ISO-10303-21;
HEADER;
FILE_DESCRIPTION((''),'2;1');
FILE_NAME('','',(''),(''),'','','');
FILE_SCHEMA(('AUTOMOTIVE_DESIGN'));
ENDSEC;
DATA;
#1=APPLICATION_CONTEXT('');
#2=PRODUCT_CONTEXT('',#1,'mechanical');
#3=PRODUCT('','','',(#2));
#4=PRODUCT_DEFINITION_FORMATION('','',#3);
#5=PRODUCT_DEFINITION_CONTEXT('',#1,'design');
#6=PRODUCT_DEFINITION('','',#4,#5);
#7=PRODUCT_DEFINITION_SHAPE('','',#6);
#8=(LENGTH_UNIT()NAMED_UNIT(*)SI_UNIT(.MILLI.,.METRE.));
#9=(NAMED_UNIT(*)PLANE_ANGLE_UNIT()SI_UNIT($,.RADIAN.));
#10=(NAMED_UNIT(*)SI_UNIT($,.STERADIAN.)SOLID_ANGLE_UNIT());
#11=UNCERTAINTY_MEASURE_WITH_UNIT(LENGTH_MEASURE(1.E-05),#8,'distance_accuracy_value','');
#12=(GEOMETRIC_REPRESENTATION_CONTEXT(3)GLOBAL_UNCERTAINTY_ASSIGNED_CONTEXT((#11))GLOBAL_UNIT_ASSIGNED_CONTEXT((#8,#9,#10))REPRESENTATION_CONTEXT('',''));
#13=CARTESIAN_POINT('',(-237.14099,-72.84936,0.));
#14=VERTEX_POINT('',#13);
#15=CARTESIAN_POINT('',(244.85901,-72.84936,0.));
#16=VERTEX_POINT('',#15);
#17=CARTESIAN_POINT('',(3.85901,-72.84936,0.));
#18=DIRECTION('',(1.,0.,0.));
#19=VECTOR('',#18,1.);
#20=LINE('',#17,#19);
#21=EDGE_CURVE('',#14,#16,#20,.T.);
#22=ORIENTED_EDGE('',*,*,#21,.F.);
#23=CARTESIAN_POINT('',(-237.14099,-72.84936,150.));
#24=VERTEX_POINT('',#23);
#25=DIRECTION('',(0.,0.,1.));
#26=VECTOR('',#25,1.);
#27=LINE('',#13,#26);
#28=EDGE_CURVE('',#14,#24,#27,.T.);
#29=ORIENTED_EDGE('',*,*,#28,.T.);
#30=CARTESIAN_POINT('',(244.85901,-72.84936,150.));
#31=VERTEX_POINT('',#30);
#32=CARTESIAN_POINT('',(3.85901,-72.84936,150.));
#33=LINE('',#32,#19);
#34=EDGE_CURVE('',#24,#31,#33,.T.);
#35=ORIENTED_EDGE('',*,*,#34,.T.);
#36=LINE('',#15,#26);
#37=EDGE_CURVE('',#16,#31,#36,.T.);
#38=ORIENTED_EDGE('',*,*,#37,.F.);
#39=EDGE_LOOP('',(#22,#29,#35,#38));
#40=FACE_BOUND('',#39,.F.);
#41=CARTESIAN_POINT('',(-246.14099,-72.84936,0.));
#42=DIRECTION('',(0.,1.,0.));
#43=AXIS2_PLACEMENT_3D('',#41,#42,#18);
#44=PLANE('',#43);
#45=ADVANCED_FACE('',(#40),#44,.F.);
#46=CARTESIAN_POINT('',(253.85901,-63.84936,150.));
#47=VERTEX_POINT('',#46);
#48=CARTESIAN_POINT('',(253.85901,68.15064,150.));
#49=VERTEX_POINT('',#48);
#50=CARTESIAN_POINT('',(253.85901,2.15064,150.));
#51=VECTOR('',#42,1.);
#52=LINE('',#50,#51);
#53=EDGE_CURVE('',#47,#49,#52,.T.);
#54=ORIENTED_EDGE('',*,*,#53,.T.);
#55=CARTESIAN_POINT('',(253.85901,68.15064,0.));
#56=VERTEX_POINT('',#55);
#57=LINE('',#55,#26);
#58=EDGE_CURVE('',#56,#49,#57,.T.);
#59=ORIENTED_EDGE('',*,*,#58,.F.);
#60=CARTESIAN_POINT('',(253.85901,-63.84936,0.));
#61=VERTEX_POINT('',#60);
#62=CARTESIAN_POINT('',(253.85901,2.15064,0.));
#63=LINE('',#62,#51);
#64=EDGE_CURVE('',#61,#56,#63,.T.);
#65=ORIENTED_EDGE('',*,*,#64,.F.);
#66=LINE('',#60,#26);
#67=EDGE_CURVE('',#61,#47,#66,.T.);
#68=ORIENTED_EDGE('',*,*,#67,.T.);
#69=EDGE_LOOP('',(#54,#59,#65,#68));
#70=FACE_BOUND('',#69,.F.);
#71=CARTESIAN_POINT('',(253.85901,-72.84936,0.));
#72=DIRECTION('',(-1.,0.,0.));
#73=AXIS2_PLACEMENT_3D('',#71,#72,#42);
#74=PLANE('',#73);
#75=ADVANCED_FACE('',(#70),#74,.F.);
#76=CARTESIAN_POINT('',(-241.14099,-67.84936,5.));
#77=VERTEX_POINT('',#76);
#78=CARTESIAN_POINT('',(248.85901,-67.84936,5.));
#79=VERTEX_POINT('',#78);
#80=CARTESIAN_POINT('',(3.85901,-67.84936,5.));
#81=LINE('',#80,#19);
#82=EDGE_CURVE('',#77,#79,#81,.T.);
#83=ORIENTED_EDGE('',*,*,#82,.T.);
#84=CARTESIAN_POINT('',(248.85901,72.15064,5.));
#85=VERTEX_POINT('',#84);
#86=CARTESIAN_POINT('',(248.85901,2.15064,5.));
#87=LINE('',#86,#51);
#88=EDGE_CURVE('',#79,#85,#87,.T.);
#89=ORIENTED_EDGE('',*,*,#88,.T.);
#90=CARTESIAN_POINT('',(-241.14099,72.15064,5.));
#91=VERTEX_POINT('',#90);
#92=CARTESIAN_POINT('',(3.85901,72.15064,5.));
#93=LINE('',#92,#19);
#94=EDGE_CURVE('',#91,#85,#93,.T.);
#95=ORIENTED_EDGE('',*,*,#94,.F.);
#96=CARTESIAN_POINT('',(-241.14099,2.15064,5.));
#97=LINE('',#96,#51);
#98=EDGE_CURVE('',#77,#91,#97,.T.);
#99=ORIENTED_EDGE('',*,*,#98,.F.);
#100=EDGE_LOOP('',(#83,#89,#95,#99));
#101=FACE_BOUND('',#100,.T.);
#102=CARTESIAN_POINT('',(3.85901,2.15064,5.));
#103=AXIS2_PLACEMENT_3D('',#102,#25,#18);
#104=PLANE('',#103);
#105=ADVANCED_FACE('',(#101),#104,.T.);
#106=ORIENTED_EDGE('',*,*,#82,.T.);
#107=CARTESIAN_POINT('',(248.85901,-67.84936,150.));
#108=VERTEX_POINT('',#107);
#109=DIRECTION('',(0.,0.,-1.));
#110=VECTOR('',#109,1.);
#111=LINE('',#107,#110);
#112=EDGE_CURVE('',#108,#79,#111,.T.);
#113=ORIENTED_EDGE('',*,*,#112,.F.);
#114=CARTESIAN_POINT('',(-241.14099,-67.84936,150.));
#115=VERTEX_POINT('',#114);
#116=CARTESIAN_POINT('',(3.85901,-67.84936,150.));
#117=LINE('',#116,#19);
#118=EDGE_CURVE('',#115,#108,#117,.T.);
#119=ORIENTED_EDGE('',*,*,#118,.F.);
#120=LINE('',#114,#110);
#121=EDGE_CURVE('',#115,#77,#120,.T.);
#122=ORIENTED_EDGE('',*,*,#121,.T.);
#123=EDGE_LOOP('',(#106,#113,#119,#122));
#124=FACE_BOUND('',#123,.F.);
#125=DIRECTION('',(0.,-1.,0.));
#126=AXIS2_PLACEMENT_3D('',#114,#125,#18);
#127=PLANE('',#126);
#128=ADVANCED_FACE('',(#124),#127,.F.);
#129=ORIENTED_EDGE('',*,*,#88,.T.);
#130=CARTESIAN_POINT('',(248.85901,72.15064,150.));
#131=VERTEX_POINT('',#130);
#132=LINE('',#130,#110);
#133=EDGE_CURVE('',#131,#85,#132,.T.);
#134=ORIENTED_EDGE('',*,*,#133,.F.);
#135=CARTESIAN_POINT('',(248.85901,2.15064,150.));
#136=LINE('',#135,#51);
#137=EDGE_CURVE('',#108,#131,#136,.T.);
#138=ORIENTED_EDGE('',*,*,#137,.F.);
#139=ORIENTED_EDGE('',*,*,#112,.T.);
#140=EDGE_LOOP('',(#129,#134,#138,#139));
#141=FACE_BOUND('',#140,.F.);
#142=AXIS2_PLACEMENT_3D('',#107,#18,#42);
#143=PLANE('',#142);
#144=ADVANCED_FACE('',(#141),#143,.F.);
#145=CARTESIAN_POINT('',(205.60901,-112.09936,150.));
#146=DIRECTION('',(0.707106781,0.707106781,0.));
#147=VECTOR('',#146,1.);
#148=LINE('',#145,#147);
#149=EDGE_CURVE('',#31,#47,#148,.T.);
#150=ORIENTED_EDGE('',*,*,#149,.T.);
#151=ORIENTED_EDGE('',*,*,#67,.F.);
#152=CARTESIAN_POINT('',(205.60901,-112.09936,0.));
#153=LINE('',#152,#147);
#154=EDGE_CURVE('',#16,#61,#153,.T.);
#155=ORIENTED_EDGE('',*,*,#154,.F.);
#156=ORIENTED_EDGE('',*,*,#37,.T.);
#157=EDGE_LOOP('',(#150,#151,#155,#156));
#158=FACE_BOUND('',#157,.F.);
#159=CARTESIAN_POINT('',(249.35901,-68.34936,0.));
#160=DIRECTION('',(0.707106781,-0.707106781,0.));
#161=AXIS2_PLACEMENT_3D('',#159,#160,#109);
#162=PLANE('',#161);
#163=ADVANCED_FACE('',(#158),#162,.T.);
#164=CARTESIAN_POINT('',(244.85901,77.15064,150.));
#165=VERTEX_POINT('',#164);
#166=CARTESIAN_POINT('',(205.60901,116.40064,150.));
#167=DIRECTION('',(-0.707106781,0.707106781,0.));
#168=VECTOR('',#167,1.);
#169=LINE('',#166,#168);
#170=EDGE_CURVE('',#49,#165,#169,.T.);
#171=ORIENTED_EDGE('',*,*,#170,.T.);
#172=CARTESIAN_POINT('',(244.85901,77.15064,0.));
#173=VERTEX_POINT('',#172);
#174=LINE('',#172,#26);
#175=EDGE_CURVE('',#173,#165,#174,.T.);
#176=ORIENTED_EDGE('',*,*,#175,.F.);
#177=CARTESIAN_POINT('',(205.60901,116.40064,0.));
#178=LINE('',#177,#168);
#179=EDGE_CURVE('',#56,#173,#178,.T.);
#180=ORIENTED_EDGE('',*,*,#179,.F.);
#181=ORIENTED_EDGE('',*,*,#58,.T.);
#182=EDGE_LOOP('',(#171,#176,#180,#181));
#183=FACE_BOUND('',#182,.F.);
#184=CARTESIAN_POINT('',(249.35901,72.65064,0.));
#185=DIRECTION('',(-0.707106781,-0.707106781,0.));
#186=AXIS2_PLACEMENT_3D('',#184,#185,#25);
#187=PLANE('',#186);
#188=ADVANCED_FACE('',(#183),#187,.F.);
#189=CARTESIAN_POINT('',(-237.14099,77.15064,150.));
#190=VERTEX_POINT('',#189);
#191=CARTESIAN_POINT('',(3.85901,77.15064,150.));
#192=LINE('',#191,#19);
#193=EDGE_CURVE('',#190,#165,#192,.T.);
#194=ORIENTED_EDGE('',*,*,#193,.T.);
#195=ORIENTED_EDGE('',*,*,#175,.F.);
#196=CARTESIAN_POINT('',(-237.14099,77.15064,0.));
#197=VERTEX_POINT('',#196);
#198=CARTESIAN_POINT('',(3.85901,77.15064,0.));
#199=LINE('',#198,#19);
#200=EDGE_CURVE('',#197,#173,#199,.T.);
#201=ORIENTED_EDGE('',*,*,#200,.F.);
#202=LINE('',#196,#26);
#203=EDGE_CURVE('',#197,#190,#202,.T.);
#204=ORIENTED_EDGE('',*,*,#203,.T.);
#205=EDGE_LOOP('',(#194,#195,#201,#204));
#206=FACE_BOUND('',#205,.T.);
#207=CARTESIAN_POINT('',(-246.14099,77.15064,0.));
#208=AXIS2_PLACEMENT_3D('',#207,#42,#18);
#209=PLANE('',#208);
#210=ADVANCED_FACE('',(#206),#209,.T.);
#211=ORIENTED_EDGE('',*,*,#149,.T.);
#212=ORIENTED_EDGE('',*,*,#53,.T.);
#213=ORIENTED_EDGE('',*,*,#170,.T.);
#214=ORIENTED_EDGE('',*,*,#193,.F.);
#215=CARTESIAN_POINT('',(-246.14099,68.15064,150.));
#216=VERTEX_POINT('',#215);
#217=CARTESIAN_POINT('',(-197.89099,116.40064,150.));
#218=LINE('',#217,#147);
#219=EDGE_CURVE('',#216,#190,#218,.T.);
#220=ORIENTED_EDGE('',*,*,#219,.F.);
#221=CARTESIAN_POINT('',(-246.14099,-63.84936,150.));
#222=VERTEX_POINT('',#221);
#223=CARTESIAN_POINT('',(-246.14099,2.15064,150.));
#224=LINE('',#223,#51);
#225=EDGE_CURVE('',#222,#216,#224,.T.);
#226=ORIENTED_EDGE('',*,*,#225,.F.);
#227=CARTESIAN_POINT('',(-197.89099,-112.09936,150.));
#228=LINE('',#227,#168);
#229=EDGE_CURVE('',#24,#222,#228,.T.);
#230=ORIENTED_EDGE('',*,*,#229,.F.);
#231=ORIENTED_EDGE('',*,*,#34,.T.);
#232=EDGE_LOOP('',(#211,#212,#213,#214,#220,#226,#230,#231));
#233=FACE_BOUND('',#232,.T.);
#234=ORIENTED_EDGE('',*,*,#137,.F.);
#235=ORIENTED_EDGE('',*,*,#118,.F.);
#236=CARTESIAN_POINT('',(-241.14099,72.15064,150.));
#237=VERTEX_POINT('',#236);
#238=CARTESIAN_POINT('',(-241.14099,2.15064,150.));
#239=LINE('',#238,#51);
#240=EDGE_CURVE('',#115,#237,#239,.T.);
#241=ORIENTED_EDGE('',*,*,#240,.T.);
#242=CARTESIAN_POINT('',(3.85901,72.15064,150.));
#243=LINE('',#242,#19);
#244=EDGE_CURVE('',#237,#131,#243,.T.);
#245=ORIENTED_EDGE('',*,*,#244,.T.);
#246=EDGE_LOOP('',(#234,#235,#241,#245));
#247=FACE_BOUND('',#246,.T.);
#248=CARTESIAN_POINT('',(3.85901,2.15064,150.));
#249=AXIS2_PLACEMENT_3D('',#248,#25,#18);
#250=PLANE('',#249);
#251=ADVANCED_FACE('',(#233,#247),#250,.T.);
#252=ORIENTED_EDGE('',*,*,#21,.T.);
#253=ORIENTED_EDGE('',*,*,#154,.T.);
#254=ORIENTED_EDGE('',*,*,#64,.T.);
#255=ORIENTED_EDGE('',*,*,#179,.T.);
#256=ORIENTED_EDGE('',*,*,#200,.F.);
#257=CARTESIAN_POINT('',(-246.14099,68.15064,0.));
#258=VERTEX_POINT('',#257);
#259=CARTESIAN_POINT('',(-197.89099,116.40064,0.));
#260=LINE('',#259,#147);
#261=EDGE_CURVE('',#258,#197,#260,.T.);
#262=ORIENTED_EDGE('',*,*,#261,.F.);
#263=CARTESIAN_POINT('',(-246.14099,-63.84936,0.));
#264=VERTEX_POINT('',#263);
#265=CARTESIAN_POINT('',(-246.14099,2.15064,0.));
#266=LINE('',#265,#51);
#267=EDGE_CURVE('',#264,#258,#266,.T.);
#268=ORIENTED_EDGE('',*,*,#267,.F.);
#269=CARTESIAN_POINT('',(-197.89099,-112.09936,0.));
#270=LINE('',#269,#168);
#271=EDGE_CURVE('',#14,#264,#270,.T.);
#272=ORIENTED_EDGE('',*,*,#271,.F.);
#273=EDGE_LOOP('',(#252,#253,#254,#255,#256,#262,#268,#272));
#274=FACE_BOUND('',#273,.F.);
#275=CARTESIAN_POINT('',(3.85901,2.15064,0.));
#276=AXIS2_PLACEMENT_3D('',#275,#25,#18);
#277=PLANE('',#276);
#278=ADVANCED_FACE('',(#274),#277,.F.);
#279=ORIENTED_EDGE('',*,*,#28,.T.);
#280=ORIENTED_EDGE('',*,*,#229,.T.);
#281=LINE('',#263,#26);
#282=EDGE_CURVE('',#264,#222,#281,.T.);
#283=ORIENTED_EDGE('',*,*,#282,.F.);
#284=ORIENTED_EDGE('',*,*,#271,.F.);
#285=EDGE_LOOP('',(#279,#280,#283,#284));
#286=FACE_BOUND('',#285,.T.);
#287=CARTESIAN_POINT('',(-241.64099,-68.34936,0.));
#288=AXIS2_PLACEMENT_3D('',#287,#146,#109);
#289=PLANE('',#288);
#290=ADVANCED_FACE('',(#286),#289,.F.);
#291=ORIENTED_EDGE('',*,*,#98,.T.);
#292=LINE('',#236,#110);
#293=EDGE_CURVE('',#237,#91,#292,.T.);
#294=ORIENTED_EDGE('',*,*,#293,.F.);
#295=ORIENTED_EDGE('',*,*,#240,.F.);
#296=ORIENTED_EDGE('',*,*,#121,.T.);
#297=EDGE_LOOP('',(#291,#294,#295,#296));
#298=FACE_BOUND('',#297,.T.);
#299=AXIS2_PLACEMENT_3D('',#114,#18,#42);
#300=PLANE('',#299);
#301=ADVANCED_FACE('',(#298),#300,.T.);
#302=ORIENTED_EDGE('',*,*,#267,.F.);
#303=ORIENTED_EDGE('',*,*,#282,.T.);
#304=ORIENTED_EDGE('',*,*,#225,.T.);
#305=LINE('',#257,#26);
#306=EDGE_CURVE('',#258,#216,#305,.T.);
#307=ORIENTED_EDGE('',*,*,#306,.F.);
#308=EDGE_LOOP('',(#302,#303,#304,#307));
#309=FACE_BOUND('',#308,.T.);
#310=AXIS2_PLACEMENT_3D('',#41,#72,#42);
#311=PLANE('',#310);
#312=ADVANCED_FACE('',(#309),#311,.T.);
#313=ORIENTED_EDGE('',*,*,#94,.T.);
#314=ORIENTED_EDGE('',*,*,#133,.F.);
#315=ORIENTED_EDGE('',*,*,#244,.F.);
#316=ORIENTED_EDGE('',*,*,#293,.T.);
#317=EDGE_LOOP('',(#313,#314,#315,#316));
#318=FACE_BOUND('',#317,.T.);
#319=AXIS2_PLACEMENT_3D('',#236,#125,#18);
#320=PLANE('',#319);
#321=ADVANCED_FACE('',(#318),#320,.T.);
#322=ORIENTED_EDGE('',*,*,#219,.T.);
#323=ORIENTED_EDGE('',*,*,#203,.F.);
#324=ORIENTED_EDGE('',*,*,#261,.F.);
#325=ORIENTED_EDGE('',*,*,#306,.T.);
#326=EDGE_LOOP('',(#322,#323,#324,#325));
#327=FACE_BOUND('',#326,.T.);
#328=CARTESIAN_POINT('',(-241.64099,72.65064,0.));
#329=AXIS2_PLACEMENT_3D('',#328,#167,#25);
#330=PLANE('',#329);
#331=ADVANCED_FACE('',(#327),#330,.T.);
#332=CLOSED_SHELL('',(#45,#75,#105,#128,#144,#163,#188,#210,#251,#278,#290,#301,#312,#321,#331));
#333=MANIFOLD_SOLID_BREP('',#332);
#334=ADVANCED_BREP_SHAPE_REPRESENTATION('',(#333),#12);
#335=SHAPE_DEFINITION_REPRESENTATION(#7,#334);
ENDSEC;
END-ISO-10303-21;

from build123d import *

# Parameters (mm, degrees)
F0_W     = 500
F0_H     = 150
F1_DEPTH = 150
F2_W     = 490
F2_H     = 140
F3_DEPTH = 145
F4_SIZE  = 9
F5_SIZE  = 9


with BuildPart() as f1:
    # F0 (on Top) → F1 (new body)
    with BuildSketch(Plane.XY):
        with Locations((3.85901, 2.15064)):
            Rectangle(F0_W, F0_H)
    extrude(amount=F1_DEPTH)

    # F2 (on face) → F3 (cut)
    with BuildSketch(Plane.XY.offset(150)):
        with Locations((3.85901, 2.15064)):
            Rectangle(F2_W, F2_H)
    extrude(amount=-F3_DEPTH, mode=Mode.SUBTRACT)

    # F4
    f4_edges = [f1.edges().sort_by_distance(p)[0] for p in [
        (253.85901, -72.84936, 75),
    ]]
    chamfer(f4_edges, length=F4_SIZE)

    # F5
    f5_edges = [f1.edges().sort_by_distance(p)[0] for p in [
        (253.85901, 77.15064, 75),
        (-246.14099, 77.15064, 75),
        (-246.14099, -72.84936, 75),
    ]]
    chamfer(f5_edges, length=F5_SIZE)


solid = f1.part
